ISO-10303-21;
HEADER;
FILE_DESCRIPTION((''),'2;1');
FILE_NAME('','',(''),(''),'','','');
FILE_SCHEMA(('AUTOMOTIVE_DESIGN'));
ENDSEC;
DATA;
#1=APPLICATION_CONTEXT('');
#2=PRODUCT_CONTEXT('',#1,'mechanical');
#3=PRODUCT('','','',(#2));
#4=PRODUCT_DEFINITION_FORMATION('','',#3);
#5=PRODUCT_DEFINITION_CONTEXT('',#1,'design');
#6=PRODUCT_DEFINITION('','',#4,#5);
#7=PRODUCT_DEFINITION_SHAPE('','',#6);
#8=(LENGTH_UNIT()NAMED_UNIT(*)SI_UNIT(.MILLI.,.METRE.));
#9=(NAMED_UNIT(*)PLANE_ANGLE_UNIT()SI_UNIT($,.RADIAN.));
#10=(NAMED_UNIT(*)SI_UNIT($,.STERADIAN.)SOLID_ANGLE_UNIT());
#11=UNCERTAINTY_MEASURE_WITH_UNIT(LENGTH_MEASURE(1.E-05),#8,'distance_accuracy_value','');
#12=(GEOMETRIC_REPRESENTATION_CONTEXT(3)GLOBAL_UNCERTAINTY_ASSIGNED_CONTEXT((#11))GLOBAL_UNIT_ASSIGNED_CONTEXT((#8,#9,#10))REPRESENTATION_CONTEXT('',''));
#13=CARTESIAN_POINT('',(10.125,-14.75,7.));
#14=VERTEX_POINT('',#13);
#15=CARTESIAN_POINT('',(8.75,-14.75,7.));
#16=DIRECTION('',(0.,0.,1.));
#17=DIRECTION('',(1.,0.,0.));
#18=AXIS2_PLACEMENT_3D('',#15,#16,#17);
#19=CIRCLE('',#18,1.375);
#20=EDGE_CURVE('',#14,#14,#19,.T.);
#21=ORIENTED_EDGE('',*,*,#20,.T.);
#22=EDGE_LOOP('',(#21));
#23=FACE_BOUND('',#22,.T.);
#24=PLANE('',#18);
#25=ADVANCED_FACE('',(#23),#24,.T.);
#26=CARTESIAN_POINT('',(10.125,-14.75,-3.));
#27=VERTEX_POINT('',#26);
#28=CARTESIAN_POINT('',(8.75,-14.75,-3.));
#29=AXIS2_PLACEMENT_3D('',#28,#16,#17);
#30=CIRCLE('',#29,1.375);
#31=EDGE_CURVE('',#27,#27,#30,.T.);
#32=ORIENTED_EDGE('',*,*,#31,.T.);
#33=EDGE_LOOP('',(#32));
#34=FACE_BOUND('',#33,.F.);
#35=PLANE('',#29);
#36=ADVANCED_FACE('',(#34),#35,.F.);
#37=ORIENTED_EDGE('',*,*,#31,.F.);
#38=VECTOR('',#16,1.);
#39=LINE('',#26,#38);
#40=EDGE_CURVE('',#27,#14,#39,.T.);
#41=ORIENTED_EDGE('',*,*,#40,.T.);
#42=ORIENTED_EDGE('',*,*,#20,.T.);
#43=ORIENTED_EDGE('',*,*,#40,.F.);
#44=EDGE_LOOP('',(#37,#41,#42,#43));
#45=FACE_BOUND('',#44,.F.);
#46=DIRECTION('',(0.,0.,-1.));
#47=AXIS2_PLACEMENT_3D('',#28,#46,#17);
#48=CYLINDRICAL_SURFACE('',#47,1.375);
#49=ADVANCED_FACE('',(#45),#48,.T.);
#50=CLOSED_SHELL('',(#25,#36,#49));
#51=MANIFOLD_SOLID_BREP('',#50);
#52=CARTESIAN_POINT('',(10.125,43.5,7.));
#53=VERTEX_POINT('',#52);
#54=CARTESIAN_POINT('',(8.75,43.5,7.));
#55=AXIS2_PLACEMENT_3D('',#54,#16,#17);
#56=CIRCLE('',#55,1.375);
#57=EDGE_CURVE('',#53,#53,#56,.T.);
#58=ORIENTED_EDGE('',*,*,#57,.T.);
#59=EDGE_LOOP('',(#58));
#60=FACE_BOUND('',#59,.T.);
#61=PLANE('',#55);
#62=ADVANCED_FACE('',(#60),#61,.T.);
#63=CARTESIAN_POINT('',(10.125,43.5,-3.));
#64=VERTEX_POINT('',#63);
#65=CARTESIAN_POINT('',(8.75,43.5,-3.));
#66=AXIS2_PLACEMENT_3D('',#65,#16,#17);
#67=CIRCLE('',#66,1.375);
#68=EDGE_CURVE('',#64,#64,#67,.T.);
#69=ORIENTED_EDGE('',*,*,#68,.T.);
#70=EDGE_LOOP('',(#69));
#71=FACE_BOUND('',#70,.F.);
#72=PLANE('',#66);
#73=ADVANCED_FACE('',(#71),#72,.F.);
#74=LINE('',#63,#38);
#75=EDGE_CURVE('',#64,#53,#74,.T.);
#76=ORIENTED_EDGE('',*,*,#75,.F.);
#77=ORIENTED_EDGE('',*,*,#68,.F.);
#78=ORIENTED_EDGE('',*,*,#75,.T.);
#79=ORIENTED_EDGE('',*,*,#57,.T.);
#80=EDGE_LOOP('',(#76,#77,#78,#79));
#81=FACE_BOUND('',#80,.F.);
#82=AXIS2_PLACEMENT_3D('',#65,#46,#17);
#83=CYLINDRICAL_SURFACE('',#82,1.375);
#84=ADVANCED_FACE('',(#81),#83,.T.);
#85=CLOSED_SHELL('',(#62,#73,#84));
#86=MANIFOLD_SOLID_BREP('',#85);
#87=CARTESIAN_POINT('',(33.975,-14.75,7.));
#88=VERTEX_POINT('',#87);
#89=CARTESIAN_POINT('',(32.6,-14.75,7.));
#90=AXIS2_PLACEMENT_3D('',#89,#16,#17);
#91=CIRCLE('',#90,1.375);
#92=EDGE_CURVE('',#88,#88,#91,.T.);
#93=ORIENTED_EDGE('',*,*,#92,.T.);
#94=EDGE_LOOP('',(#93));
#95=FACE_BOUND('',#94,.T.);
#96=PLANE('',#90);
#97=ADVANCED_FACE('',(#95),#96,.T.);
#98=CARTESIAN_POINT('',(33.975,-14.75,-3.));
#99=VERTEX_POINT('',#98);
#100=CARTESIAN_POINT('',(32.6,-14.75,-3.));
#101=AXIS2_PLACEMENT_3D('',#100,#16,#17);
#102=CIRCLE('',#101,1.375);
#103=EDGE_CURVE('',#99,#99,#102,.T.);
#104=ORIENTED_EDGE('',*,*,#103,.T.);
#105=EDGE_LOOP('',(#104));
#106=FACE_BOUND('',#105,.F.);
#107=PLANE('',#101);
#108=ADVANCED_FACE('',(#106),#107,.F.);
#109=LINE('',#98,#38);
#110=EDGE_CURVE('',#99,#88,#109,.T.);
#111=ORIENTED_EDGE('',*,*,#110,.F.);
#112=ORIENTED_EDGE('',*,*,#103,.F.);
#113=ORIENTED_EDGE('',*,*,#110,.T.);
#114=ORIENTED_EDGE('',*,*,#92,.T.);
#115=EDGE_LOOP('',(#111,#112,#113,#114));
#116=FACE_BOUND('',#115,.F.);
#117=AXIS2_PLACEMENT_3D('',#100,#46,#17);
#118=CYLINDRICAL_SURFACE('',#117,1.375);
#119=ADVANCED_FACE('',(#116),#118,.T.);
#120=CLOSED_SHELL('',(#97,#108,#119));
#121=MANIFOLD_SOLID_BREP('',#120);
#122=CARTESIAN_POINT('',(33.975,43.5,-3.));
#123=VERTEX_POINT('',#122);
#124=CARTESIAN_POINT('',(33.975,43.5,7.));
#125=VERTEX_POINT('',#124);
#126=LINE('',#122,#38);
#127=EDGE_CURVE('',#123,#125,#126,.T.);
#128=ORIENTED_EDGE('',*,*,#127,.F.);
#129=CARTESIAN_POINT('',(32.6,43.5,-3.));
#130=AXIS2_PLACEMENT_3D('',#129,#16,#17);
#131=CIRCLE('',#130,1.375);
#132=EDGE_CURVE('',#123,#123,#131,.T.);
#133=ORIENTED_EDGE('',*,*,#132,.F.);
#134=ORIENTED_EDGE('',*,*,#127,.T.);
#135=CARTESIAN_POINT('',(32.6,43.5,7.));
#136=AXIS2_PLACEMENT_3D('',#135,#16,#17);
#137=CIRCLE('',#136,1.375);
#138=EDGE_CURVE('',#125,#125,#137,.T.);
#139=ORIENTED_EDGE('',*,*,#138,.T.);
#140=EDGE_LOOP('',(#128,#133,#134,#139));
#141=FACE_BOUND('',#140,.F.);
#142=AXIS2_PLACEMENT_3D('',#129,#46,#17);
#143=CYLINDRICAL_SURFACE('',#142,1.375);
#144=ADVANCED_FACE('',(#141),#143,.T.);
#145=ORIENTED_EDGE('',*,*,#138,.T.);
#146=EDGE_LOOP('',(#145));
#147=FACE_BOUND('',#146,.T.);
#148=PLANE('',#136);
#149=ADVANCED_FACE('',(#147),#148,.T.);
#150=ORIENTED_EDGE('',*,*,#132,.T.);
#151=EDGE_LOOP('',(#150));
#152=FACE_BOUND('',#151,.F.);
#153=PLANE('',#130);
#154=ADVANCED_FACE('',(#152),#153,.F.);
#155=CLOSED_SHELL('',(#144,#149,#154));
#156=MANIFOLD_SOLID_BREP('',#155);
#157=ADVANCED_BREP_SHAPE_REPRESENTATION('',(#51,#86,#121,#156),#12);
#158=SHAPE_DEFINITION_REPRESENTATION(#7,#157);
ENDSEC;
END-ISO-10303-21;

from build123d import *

# Parameters (mm, degrees)
CYLINDER002_R     = 1.375
CYLINDER002_DEPTH = 10
CYLINDER003_R     = 1.375
CYLINDER003_DEPTH = 10
CYLINDER004_R     = 1.375
CYLINDER004_DEPTH = 10
CYLINDER001_R     = 1.375
CYLINDER001_DEPTH = 10


with BuildPart() as cylinder002:
    # Cylinder002 → Cylinder002 (new body)
    with BuildSketch(Plane(origin=(32.6, 43.5, -3), x_dir=(1, 0, 0), z_dir=(0, 0, 1))):
        Circle(CYLINDER002_R)
    extrude(amount=CYLINDER002_DEPTH)


with BuildPart() as cylinder003:
    # Cylinder003 → Cylinder003 (new body)
    with BuildSketch(Plane(origin=(32.6, -14.75, -3), x_dir=(1, 0, 0), z_dir=(0, 0, 1))):
        Circle(CYLINDER003_R)
    extrude(amount=CYLINDER003_DEPTH)


with BuildPart() as cylinder004:
    # Cylinder004 → Cylinder004 (new body)
    with BuildSketch(Plane(origin=(8.75, -14.75, -3), x_dir=(1, 0, 0), z_dir=(0, 0, 1))):
        Circle(CYLINDER004_R)
    extrude(amount=CYLINDER004_DEPTH)


with BuildPart() as hole_cuts:
    # Cylinder001 → Cylinder001 (new body)
    with BuildSketch(Plane(origin=(8.75, 43.5, -3), x_dir=(1, 0, 0), z_dir=(0, 0, 1))):
        Circle(CYLINDER001_R)
    extrude(amount=CYLINDER001_DEPTH)

    # Fusion002003002: union Cylinder002, Cylinder003, Cylinder004
    add(cylinder002.part)
    add(cylinder003.part)
    add(cylinder004.part)


solid = hole_cuts.part
